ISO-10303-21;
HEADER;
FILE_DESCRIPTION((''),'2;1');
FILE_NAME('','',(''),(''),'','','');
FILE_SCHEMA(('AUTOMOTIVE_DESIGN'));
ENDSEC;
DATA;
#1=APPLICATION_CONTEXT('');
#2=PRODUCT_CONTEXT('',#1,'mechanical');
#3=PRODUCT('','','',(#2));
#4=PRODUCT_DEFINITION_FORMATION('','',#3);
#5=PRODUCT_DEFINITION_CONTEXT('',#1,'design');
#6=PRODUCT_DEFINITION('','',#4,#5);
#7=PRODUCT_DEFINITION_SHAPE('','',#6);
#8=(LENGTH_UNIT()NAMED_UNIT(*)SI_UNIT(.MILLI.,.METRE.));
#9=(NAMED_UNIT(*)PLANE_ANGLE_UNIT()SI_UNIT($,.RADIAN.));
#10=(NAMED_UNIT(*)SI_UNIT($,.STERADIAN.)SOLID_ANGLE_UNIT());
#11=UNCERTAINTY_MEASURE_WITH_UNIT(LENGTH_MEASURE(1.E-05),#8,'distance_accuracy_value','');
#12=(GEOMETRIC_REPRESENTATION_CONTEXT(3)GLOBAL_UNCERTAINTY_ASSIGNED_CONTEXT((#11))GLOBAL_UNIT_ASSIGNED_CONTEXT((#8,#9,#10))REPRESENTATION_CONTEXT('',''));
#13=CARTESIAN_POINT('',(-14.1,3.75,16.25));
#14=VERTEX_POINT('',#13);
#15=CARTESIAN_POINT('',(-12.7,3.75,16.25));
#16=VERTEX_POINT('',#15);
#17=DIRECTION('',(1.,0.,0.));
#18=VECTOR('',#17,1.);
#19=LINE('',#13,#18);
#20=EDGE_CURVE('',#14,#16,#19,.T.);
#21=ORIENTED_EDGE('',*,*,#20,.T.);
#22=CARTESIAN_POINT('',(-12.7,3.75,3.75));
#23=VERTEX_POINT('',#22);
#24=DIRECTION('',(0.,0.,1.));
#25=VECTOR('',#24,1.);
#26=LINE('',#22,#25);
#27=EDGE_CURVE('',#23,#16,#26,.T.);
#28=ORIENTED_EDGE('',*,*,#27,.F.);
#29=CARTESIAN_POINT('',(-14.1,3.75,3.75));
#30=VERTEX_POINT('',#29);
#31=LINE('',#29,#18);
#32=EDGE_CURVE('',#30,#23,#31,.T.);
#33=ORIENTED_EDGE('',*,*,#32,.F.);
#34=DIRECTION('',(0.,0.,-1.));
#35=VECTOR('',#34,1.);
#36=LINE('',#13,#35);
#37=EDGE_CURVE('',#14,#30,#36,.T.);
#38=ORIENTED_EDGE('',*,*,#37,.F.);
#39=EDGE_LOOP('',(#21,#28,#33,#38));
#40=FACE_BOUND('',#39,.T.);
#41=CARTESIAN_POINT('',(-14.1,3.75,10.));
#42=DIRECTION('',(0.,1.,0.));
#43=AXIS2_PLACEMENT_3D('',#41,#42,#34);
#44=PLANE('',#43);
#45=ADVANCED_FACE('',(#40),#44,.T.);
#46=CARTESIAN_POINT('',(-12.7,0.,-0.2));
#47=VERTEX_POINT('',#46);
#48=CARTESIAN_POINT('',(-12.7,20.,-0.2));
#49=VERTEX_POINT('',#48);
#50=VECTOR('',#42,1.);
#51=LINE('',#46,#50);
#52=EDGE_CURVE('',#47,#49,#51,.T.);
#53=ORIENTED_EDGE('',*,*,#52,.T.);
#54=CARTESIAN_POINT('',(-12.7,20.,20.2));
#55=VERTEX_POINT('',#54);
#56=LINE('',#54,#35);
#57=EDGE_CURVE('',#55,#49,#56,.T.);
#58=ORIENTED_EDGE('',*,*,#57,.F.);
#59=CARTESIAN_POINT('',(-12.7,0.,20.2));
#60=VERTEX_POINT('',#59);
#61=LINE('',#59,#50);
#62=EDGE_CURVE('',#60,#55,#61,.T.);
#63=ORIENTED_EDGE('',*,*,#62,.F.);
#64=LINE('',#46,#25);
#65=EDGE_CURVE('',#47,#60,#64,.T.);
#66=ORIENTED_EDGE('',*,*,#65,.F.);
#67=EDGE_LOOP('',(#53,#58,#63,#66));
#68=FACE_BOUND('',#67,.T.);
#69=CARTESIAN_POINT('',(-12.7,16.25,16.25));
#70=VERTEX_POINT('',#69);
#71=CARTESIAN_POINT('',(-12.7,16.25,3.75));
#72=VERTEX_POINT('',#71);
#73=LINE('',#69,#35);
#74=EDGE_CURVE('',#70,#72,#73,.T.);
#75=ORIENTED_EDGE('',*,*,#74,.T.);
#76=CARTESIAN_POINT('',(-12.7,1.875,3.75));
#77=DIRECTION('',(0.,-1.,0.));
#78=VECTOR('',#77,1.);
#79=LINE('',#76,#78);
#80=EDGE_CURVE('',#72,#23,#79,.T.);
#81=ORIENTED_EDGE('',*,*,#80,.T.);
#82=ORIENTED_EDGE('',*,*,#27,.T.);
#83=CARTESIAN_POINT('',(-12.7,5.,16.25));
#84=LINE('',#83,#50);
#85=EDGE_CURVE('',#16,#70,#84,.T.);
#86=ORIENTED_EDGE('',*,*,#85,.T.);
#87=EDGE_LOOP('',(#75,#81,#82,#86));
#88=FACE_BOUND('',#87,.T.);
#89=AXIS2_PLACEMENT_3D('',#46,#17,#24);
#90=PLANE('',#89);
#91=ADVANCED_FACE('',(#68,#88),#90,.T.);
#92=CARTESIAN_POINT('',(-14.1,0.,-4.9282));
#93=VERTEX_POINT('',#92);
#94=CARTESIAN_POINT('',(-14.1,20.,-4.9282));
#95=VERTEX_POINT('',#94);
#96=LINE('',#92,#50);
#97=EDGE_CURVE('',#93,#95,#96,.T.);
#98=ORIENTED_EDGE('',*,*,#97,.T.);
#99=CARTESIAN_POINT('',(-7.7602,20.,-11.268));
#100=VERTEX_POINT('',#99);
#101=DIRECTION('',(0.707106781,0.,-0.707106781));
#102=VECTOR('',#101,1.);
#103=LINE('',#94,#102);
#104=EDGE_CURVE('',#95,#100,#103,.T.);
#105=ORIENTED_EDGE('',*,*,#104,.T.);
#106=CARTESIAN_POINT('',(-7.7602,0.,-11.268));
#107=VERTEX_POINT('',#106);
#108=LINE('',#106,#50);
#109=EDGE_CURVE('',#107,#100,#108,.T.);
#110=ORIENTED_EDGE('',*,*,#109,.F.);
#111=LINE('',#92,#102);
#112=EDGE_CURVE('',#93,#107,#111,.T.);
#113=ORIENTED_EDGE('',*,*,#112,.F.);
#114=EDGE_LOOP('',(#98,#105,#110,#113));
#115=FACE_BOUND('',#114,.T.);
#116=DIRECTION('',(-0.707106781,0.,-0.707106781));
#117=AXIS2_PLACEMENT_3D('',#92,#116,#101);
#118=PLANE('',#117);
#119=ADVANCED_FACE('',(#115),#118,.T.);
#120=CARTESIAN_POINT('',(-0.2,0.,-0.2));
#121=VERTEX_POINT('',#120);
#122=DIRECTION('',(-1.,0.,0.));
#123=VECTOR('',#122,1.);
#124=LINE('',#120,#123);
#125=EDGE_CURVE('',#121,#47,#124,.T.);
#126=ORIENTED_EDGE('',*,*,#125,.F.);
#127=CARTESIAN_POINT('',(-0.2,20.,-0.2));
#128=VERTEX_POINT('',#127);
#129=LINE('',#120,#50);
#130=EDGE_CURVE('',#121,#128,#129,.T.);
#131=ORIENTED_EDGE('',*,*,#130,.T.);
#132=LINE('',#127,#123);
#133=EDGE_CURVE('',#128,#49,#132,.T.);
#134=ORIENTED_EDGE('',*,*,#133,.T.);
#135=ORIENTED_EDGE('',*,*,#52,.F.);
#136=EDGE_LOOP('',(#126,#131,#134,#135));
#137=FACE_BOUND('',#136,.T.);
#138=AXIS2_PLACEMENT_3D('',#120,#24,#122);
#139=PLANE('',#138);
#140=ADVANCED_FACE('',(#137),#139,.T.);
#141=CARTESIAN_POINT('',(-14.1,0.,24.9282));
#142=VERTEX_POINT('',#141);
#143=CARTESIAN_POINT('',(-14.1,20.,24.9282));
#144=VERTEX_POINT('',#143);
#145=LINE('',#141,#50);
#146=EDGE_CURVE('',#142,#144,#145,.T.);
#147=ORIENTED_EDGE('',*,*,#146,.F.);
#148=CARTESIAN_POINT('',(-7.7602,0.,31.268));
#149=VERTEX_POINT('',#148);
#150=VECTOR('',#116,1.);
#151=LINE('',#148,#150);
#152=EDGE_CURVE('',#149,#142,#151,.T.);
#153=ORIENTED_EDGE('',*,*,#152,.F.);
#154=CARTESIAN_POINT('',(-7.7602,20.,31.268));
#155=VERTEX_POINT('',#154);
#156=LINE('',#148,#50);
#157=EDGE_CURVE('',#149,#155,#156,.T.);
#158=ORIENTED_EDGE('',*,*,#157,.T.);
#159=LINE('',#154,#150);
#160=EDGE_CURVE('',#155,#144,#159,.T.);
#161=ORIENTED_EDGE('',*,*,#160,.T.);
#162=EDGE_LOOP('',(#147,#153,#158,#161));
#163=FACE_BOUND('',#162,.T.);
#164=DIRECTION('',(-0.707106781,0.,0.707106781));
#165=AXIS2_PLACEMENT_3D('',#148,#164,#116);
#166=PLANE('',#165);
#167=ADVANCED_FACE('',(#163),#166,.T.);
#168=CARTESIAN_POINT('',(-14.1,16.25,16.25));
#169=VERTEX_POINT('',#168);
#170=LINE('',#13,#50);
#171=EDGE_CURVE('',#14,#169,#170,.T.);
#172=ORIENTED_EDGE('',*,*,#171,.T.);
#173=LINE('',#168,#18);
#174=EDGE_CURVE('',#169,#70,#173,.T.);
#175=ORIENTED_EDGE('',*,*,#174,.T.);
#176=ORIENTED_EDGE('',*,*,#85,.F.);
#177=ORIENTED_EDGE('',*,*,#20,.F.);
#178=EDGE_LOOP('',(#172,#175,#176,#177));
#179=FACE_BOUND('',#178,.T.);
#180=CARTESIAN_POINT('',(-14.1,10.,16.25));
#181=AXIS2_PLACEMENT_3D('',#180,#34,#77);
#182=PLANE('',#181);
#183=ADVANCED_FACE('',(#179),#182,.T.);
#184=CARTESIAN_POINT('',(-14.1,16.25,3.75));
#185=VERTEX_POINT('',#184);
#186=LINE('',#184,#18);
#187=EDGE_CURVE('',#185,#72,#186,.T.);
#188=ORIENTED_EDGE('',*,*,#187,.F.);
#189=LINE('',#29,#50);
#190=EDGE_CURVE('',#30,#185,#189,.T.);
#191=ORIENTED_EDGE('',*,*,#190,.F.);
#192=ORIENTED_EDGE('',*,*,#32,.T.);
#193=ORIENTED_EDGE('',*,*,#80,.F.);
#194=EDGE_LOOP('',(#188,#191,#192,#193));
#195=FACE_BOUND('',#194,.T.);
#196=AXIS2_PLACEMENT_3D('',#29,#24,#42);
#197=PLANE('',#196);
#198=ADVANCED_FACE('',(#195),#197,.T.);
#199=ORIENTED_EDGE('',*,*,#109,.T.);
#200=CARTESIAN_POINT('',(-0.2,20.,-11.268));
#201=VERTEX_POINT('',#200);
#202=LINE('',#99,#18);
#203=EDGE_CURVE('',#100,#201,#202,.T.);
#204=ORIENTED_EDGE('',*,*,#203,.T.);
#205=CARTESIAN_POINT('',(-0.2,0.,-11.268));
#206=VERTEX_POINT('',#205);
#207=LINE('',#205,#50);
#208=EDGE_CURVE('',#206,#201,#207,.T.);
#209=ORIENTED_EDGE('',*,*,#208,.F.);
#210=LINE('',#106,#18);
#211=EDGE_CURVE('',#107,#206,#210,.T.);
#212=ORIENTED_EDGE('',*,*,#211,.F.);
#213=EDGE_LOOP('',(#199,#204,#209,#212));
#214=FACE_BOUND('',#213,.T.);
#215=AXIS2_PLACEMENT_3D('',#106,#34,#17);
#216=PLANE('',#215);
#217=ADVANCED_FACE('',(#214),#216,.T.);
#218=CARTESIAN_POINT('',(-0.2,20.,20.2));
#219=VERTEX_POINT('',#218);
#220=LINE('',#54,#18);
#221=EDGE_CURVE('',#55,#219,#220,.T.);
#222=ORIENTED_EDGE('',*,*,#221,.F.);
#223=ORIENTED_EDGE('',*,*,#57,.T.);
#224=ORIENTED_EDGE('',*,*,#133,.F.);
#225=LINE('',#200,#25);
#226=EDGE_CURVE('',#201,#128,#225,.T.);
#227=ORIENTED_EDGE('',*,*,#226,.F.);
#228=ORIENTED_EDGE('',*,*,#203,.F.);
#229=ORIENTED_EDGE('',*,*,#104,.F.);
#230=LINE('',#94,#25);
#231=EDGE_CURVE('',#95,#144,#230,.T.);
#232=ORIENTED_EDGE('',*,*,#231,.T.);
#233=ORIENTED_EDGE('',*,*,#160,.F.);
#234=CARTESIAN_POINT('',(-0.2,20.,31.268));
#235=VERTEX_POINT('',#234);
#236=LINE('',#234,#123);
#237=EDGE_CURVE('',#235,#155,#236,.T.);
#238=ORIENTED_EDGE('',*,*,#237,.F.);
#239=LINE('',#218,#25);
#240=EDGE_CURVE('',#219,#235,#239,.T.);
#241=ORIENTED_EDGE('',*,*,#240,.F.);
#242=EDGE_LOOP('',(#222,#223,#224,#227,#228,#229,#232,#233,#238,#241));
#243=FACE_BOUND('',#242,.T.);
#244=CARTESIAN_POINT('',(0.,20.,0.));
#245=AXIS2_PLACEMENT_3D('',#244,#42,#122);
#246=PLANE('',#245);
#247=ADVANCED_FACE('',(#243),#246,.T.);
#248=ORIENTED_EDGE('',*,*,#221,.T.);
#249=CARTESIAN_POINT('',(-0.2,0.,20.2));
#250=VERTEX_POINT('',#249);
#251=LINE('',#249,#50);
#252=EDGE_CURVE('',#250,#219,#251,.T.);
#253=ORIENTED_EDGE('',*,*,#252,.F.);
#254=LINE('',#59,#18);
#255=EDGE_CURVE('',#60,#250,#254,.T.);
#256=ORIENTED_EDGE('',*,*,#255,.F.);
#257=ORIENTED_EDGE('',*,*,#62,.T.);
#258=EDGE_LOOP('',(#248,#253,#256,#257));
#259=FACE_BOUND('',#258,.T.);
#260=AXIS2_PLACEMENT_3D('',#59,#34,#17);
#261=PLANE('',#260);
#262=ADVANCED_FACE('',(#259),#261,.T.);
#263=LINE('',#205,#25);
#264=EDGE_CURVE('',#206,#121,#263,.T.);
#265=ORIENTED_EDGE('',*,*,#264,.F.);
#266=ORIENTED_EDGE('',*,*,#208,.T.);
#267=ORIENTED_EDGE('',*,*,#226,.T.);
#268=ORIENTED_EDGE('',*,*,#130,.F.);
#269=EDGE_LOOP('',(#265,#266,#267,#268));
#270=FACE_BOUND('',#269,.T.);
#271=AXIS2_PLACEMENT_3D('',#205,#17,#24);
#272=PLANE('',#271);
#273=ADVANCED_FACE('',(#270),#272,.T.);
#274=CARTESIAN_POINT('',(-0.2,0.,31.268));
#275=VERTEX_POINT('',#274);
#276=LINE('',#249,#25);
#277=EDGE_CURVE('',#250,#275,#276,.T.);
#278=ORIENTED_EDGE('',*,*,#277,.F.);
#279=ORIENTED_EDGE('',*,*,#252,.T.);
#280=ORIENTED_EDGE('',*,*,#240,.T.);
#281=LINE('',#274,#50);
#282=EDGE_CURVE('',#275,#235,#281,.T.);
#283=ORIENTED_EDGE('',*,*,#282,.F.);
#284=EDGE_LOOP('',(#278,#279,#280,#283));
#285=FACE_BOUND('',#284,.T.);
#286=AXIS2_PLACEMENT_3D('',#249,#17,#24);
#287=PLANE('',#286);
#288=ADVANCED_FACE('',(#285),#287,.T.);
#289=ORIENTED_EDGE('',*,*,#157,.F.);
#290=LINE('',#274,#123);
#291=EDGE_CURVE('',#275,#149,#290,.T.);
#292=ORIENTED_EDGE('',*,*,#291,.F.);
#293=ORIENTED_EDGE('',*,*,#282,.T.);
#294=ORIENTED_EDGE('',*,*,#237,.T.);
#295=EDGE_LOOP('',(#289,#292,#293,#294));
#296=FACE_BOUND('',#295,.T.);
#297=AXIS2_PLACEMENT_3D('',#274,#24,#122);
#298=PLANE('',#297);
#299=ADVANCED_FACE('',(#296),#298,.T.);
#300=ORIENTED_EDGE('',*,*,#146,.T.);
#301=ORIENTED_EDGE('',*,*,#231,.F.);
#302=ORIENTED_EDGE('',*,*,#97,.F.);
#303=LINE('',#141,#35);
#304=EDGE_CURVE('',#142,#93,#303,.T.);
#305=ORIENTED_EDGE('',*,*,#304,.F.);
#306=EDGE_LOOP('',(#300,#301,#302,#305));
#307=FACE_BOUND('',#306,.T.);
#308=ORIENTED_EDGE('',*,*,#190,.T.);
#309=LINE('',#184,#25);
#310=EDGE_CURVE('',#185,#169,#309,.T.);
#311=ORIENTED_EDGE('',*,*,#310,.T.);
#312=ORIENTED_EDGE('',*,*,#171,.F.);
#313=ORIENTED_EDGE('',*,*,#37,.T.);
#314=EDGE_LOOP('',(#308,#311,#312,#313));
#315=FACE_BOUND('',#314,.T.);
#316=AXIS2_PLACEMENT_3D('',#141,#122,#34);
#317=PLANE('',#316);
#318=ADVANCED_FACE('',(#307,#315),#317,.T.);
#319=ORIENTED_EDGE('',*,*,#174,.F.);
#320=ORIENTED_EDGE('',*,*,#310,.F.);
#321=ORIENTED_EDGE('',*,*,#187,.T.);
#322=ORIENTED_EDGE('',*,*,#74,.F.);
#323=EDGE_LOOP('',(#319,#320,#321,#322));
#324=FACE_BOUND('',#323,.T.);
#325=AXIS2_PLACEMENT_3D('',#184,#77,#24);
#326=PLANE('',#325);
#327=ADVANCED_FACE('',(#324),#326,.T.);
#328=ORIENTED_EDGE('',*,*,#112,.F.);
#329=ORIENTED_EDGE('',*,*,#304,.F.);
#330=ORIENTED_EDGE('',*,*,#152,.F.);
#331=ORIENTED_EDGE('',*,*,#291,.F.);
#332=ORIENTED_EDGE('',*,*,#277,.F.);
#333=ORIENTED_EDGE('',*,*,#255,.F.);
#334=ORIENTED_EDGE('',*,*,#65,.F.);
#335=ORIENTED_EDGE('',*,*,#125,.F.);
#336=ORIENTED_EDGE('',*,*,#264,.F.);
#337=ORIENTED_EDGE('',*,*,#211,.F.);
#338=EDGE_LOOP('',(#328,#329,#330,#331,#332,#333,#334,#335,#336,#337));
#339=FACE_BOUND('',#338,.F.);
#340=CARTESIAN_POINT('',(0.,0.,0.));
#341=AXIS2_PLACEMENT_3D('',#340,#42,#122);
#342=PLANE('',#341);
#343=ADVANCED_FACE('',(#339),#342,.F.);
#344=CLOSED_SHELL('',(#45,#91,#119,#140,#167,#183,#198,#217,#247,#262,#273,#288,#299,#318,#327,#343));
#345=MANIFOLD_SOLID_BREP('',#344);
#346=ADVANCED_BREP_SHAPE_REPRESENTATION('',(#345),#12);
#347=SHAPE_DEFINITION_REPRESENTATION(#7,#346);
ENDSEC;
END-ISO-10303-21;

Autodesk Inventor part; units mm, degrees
ref_plane "YZ Plane" through (0, 0, 0) normal (1, 0, 0) x (0, 1, 0)
ref_plane "XZ Plane" through (0, 0, 0) normal (0, 1, 0) x (-1, 0, 0)
ref_plane "XY Plane" through (0, 0, 0) normal (0, 0, 1) x (1, 0, 0)
sketch "Sketch1" plane through (0, 0, 0) normal (0, 1, 0) x (-1, 0, 0)
  line L0 (0, 0) -> (0, -11.468)
  line L1 (0, -11.468) -> (7.843, -11.468)
  line L2 (14.3, -5.011) -> (14.3, 10)
  line L3 (12.5, 10) -> (0, 10)
  line L4 (14.3, -5.011) -> (7.843, -11.468)
  line L5 (0, 0) -> (12.5, 0)
  line L6 (12.5, 0) -> (12.5, 10)
  line L7 (0, 20) -> (0, 31.468)
  line L8 (0, 31.468) -> (7.843, 31.468)
  line L9 (14.3, 25.011) -> (14.3, 10)
  line L10 (14.3, 25.011) -> (7.843, 31.468)
  line L11 (0, 20) -> (12.5, 20)
  line L12 (12.5, 20) -> (12.5, 10)
  line L13 (0.2, -11.268) -> (0.2, -0.2)
  line L14 (0.2, -0.2) -> (12.7, -0.2)
  line L15 (12.7, -0.2) -> (12.7, 10)
  line L16 (12.7, 10) -> (12.7, 20.2)
  line L17 (12.7, 20.2) -> (0.2, 20.2)
  line L18 (0.2, 20.2) -> (0.2, 31.268)
  line L19 (0.2, 31.268) -> (7.7602, 31.268)
  line L20 (7.7602, 31.268) -> (14.1, 24.9282)
  line L21 (14.1, 24.9282) -> (14.1, 10)
  line L22 (14.1, 10) -> (14.1, -4.9282)
  line L23 (14.1, -4.9282) -> (7.7602, -11.268)
  line L24 (7.7602, -11.268) -> (0.2, -11.268)
  point P0 (14.3, -11.468)
  point P1 (14.3, 31.468)
  dimension "d0" = 11.468
  dimension "d1" = 14.3
  dimension "d2" = 21.468
  dimension "d3" = 6.457
  dimension "d4" = 6.457
  dimension "d5" = 12.5
  dimension "d8" = 0.2
extrude "Extrusion1" add sketch "Sketch1" along normal blind 20 contours L13 L14 L15 L16 L17 L18 L19 L20 L21 L22 L23 L24
sketch "Sketch2" plane through (-14.1, 0, -4.9282) normal (-1, 0, 0) x (0, 0, 1)
  line L0 (0, 0) -> (29.8563, 0) projected
  line L1 (29.8563, 0) -> (29.8563, 20) projected
  line L2 (0, 20) -> (29.8563, 20) projected
  line L3 (0, 0) -> (0, 20) projected
  line L4 (0, 20) -> (29.8563, 20) projected
  line L5 (14.9282, 20) -> (14.9282, 0)
  line L6 (0, 0) -> (29.8563, 0) projected
  line L7 (29.8563, 0) -> (29.8563, 20) projected
  line L8 (29.8563, 10) -> (0, 10)
  line L9 (0, 0) -> (0, 20) projected
  line L10 (8.6782, 16.25) -> (21.1782, 16.25)
  line L11 (21.1782, 16.25) -> (21.1782, 3.75)
  line L12 (21.1782, 3.75) -> (8.6782, 3.75)
  line L13 (8.6782, 3.75) -> (8.6782, 16.25)
  point P0 (4.9282, 0)
  dimension "d9" = 12.5
  dimension "d10" = 12.5
  dimension "d11" = 6.25
  dimension "d12" = 6.25
extrude "Extrusion2" cut sketch "Sketch2" against normal blind 20 contours L12 L13 L8 L5 | L5 L8 L11 L12 | L13 L10 L5 L8 | L5 L10 L11 L8
equation "\"d4\" = d3"
properties part number "latticeChamberHolderv1"
